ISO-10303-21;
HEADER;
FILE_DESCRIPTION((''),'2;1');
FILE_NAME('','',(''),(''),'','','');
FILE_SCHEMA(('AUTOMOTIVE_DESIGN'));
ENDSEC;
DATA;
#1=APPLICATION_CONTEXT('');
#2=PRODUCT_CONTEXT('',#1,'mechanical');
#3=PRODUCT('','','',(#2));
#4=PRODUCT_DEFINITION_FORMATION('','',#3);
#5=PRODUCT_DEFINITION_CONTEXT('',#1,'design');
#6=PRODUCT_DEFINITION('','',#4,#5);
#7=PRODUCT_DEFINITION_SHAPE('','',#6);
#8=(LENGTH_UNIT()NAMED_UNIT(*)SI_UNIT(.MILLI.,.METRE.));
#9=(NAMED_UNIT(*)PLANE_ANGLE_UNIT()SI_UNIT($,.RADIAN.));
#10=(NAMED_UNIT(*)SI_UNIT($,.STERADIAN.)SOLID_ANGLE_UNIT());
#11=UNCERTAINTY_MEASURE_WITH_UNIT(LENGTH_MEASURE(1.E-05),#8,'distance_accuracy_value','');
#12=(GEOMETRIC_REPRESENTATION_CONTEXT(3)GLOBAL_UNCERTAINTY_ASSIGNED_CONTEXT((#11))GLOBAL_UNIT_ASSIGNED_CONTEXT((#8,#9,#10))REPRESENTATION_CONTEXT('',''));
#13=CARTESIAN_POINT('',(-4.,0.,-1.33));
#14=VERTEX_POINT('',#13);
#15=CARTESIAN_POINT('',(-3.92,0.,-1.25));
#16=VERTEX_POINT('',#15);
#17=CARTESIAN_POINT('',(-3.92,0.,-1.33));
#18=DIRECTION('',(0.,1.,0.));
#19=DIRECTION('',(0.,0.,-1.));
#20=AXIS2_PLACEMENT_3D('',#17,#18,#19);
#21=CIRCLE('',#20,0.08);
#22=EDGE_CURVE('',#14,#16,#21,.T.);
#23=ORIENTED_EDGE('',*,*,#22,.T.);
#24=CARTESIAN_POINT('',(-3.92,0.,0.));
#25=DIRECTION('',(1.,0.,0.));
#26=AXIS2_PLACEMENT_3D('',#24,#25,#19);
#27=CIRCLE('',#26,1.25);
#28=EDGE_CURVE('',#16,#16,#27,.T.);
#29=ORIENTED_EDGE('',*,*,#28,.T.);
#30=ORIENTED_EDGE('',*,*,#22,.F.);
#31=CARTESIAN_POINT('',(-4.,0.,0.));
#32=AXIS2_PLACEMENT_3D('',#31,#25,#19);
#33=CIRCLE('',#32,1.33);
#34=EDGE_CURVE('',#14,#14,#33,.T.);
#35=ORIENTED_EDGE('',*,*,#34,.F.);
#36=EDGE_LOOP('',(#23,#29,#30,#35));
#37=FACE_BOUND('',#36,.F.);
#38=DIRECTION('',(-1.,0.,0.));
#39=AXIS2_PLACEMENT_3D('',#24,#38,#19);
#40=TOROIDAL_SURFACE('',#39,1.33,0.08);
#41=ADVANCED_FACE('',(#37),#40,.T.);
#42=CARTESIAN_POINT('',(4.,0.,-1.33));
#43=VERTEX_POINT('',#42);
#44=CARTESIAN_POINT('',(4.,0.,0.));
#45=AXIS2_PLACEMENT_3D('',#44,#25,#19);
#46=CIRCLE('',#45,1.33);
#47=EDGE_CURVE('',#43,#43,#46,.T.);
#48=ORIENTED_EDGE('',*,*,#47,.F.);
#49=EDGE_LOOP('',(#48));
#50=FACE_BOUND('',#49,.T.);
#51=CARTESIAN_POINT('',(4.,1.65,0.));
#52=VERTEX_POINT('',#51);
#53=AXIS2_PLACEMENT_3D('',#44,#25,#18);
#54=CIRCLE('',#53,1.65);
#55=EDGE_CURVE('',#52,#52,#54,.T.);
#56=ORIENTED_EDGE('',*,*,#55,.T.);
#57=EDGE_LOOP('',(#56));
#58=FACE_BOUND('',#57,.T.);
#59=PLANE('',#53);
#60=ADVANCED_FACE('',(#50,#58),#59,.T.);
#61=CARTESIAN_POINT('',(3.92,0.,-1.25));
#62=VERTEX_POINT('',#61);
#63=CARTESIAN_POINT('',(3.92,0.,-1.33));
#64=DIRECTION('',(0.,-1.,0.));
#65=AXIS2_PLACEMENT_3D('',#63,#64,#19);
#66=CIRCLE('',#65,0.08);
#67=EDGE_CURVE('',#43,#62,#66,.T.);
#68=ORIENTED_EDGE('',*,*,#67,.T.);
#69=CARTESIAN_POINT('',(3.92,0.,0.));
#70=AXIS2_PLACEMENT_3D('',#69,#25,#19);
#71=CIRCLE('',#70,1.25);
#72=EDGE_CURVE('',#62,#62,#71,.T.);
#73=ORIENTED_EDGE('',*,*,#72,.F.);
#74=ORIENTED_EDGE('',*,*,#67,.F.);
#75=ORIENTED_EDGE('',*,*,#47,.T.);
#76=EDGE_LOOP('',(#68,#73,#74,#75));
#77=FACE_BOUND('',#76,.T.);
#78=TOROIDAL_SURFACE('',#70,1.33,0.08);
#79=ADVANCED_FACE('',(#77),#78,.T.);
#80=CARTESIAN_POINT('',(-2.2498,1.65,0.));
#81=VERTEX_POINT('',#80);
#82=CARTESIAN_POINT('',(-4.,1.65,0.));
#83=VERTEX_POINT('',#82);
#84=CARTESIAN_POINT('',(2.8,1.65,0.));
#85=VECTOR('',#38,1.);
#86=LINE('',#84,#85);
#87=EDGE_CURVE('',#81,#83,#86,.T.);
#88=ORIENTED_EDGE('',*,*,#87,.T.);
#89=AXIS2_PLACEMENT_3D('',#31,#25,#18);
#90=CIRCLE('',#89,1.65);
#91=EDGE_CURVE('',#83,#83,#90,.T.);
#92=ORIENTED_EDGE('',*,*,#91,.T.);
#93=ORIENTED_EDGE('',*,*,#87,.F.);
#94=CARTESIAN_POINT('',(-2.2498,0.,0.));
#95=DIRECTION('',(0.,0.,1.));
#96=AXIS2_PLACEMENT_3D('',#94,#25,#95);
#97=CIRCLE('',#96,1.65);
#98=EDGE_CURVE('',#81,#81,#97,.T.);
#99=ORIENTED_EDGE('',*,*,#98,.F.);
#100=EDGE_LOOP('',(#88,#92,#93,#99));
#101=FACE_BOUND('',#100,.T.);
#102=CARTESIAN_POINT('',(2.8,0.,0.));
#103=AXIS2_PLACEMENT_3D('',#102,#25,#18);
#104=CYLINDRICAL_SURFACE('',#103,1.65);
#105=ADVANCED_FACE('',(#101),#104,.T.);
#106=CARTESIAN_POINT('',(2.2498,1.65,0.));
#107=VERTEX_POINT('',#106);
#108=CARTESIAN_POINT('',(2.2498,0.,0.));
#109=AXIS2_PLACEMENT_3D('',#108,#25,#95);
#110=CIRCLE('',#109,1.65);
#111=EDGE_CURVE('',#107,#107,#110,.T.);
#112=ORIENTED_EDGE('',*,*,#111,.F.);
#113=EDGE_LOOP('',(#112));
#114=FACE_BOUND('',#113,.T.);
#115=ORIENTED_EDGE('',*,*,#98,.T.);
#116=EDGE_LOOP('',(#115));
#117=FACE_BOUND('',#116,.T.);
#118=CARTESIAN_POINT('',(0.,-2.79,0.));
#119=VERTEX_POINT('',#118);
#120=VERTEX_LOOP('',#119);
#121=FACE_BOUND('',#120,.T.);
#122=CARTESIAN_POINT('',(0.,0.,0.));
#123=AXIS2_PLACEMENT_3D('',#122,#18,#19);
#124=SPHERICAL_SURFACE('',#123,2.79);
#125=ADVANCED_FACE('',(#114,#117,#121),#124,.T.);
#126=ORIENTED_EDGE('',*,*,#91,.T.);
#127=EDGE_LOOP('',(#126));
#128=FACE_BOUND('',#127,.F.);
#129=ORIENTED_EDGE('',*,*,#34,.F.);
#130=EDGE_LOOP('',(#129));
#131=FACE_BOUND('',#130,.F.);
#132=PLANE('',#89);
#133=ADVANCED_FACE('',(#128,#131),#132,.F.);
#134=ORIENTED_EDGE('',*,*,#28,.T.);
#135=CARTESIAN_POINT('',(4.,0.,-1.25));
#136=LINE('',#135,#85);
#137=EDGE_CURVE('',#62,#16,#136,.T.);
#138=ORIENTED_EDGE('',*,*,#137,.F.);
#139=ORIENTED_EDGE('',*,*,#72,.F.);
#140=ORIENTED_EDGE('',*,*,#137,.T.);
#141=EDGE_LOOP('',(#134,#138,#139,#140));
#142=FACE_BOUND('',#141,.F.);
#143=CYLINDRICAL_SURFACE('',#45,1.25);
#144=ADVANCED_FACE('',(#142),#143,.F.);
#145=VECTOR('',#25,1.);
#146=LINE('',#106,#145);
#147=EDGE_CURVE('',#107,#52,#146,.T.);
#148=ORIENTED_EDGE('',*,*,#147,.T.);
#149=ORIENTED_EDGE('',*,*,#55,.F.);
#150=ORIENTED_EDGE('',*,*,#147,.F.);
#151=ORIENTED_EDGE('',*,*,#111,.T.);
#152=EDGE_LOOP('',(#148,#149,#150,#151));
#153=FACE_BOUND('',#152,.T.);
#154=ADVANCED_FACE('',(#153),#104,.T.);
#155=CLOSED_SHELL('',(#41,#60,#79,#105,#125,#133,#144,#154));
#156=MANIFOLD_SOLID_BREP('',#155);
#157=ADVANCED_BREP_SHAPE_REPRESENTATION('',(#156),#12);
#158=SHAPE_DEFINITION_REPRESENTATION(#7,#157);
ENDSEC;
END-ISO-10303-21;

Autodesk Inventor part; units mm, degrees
ref_plane "XZ Plane" through (0, 0, 0) normal (0, 1, 0) x (-1, 0, 0)
ref_plane "XY Plane" through (0, 0, 0) normal (0, 0, 1) x (1, 0, 0)
sketch "Boceto1" plane through (0, 0, 0) normal (1, 0, 0) x (0, 1, 0)
  arc A0 (-2.79, 0) -> (2.79, 0) centre (0, 0) ccw
  line L0 (-2.79, 0) -> (2.79, 0)
  dimension "d0" = 5.58
revolve "Revolución1" add sketch "Boceto1" angle 360 about axis through (0, -2.79, 0) along (0, 1, 0)
ref_plane "Plano de trabajo1" through (2.8, 0, 0) normal (1, 0, 0) x (0, 1, 0)
sketch "Boceto2" plane through (2.8, 0, 0) normal (1, 0, 0) x (0, 1, 0)
  circle A0 centre (0, 0) radius 1.65
  dimension "d3" = 3.3
extrude "Extrusión1" add sketch "Boceto2" along normal blind 1.2 and the other way blind 6.8
sketch "Boceto3" plane through (4, 0, 0) normal (1, 0, 0) x (0, 0, -1)
  circle A0 centre (0, 0) radius 1.65
  circle A1 centre (0, 0) radius 1.25
  dimension "d8" = 2.5
extrude "Extrusión2" cut sketch "Boceto3" against normal blind 13.6 contours A1
fillet "Empalme1" radius 0.08 2 edges at (4, 0, 1.25) (-4, 0, 1.25)
properties part number "Bola_de_libertad_menor" material "Aluminio 6061"
